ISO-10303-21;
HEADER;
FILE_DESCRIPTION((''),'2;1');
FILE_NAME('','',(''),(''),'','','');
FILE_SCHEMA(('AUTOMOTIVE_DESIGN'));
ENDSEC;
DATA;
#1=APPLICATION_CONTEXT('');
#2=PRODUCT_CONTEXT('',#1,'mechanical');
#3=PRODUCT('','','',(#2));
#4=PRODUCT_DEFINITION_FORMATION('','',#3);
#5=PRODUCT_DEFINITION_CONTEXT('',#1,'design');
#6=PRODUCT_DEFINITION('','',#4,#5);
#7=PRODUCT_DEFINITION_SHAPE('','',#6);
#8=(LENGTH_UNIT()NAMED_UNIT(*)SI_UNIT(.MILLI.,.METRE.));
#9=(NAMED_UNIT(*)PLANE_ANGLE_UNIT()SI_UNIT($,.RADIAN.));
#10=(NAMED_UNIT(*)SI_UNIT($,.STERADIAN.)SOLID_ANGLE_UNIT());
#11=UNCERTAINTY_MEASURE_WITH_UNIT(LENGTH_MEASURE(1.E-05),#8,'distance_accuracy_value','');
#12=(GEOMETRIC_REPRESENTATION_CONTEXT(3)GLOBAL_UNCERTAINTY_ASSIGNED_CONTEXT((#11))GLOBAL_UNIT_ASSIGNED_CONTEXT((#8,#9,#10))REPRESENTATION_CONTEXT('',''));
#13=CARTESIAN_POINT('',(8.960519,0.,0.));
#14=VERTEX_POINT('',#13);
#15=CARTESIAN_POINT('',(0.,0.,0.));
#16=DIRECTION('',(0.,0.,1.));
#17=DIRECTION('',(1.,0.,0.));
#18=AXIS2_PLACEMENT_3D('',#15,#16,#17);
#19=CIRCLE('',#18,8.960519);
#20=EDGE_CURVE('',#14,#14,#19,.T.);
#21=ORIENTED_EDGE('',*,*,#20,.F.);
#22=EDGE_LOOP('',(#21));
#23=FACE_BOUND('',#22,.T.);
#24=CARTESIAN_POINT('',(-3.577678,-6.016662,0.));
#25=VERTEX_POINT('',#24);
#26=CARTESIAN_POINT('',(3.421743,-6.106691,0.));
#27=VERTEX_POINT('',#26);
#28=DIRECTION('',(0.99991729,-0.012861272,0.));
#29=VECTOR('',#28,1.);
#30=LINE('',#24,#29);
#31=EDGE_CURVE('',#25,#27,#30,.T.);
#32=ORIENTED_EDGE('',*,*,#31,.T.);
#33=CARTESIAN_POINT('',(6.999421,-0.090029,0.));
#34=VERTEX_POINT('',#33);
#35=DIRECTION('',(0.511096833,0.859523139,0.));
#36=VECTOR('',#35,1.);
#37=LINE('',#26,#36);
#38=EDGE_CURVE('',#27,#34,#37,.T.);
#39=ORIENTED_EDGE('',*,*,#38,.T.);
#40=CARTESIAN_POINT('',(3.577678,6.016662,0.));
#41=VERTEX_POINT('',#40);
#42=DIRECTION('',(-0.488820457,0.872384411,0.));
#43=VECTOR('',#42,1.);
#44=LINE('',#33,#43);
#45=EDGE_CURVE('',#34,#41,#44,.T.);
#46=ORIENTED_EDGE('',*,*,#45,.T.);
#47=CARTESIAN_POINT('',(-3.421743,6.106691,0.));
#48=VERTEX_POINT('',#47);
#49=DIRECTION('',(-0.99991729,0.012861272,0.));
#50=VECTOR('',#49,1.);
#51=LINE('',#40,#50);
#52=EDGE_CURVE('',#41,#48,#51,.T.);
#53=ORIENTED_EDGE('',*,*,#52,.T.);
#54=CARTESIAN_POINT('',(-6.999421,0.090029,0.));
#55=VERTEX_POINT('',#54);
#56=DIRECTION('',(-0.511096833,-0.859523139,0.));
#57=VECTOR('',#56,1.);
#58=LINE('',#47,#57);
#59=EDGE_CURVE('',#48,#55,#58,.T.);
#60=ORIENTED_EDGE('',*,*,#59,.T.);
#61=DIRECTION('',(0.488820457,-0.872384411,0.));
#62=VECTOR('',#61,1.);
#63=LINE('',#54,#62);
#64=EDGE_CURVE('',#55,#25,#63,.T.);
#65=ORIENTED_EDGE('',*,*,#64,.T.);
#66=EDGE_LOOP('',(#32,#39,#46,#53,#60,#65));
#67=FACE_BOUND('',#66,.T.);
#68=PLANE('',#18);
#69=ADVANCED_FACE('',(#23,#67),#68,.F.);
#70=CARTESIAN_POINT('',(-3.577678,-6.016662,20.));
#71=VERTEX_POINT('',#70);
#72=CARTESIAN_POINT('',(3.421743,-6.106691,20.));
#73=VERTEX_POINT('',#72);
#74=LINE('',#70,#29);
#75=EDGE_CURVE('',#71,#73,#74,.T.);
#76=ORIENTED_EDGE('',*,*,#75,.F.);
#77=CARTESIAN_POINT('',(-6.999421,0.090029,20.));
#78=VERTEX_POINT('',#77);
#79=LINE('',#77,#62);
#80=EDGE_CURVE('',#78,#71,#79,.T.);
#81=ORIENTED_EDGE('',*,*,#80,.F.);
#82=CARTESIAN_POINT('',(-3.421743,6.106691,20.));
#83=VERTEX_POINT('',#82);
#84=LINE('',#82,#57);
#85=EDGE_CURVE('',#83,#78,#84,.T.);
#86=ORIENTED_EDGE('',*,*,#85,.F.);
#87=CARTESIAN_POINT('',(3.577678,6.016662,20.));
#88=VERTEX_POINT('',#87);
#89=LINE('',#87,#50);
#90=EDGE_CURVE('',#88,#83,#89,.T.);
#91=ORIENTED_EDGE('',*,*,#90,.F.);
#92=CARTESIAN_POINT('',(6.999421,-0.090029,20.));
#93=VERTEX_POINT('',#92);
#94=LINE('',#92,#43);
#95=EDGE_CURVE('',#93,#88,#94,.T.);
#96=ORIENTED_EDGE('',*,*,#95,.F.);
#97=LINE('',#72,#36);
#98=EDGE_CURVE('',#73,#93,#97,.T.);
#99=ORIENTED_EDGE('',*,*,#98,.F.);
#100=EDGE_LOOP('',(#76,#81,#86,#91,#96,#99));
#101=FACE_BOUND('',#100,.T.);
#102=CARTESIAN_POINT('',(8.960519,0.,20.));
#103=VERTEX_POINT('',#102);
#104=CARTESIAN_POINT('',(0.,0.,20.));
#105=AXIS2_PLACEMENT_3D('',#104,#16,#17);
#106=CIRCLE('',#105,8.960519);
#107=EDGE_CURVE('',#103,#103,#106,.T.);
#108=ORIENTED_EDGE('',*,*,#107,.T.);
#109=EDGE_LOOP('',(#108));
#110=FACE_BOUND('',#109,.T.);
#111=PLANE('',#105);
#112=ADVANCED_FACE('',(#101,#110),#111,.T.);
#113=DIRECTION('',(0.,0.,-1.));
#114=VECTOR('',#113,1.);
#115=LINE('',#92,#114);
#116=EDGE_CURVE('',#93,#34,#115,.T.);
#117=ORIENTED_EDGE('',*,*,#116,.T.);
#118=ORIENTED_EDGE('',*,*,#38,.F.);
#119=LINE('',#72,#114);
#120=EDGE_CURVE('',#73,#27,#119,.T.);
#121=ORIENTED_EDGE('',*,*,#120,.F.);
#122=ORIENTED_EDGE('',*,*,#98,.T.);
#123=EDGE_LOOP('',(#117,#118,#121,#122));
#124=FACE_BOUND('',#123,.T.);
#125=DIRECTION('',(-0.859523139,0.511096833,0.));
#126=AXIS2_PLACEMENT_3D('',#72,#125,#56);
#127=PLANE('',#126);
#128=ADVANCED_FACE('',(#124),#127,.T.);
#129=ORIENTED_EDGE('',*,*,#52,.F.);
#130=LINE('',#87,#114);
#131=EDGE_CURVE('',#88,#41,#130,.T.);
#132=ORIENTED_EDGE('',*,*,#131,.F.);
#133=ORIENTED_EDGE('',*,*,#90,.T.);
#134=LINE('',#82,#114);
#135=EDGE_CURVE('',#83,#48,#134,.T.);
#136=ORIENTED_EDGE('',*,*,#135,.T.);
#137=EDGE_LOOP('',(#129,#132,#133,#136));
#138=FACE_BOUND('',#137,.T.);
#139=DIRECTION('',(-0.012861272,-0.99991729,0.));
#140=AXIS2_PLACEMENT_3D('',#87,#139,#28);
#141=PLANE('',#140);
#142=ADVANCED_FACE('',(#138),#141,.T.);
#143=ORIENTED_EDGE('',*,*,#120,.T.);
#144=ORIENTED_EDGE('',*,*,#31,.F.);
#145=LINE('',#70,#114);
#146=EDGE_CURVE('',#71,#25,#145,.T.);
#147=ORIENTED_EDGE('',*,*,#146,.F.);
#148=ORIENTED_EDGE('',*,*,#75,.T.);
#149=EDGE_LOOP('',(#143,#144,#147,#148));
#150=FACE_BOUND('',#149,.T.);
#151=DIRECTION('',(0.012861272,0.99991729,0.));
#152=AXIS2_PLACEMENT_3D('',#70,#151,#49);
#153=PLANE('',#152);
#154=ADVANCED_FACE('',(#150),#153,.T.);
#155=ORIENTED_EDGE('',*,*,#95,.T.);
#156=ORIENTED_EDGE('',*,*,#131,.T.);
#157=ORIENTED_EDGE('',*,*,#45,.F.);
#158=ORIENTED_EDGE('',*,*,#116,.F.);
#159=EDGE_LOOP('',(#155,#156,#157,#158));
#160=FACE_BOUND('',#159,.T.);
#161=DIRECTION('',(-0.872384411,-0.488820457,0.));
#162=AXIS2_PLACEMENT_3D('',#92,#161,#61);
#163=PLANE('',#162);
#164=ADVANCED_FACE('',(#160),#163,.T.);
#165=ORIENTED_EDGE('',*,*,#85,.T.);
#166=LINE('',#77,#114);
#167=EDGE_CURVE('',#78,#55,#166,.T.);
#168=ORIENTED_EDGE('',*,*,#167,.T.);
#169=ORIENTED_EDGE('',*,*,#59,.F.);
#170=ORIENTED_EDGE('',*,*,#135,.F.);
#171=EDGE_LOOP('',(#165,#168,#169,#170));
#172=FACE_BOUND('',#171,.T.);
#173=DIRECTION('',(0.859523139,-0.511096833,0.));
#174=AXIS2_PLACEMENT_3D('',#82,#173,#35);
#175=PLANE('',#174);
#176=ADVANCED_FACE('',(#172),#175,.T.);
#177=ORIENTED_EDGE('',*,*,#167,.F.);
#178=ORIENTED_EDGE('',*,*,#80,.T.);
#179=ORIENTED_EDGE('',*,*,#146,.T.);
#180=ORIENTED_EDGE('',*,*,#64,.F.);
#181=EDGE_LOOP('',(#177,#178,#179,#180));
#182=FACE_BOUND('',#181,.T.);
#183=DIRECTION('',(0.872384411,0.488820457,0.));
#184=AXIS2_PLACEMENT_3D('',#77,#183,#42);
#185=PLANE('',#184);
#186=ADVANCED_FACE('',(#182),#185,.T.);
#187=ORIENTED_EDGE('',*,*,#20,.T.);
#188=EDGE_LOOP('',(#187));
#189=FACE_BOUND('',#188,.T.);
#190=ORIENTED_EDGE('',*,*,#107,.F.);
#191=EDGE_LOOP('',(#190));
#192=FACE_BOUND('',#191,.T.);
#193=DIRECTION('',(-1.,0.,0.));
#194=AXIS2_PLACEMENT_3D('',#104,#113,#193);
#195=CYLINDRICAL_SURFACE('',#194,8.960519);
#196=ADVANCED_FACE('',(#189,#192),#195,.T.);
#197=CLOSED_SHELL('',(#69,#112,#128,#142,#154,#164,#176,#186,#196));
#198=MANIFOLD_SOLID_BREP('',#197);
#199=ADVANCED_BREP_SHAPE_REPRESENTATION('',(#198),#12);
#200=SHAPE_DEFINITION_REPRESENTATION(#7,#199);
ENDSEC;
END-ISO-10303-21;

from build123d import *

# Parameters (mm, degrees)
SKETCH1_R           = 8.960518563
BOSS_EXTRUDE1_DEPTH = 20


with BuildPart() as part:
    # Sketch1 → Boss-Extrude1 (new body)
    with BuildSketch(Plane.XY):
        Circle(SKETCH1_R)
        Polygon((-3.4217432, 6.106690878), (-6.999421033, 0.090028903), (-3.577677833, -6.016661975), (3.4217432, -6.106690878), (6.999421033, -0.090028903), (3.577677833, 6.016661975), align=None, mode=Mode.SUBTRACT)
    extrude(amount=BOSS_EXTRUDE1_DEPTH)


solid = part.part
